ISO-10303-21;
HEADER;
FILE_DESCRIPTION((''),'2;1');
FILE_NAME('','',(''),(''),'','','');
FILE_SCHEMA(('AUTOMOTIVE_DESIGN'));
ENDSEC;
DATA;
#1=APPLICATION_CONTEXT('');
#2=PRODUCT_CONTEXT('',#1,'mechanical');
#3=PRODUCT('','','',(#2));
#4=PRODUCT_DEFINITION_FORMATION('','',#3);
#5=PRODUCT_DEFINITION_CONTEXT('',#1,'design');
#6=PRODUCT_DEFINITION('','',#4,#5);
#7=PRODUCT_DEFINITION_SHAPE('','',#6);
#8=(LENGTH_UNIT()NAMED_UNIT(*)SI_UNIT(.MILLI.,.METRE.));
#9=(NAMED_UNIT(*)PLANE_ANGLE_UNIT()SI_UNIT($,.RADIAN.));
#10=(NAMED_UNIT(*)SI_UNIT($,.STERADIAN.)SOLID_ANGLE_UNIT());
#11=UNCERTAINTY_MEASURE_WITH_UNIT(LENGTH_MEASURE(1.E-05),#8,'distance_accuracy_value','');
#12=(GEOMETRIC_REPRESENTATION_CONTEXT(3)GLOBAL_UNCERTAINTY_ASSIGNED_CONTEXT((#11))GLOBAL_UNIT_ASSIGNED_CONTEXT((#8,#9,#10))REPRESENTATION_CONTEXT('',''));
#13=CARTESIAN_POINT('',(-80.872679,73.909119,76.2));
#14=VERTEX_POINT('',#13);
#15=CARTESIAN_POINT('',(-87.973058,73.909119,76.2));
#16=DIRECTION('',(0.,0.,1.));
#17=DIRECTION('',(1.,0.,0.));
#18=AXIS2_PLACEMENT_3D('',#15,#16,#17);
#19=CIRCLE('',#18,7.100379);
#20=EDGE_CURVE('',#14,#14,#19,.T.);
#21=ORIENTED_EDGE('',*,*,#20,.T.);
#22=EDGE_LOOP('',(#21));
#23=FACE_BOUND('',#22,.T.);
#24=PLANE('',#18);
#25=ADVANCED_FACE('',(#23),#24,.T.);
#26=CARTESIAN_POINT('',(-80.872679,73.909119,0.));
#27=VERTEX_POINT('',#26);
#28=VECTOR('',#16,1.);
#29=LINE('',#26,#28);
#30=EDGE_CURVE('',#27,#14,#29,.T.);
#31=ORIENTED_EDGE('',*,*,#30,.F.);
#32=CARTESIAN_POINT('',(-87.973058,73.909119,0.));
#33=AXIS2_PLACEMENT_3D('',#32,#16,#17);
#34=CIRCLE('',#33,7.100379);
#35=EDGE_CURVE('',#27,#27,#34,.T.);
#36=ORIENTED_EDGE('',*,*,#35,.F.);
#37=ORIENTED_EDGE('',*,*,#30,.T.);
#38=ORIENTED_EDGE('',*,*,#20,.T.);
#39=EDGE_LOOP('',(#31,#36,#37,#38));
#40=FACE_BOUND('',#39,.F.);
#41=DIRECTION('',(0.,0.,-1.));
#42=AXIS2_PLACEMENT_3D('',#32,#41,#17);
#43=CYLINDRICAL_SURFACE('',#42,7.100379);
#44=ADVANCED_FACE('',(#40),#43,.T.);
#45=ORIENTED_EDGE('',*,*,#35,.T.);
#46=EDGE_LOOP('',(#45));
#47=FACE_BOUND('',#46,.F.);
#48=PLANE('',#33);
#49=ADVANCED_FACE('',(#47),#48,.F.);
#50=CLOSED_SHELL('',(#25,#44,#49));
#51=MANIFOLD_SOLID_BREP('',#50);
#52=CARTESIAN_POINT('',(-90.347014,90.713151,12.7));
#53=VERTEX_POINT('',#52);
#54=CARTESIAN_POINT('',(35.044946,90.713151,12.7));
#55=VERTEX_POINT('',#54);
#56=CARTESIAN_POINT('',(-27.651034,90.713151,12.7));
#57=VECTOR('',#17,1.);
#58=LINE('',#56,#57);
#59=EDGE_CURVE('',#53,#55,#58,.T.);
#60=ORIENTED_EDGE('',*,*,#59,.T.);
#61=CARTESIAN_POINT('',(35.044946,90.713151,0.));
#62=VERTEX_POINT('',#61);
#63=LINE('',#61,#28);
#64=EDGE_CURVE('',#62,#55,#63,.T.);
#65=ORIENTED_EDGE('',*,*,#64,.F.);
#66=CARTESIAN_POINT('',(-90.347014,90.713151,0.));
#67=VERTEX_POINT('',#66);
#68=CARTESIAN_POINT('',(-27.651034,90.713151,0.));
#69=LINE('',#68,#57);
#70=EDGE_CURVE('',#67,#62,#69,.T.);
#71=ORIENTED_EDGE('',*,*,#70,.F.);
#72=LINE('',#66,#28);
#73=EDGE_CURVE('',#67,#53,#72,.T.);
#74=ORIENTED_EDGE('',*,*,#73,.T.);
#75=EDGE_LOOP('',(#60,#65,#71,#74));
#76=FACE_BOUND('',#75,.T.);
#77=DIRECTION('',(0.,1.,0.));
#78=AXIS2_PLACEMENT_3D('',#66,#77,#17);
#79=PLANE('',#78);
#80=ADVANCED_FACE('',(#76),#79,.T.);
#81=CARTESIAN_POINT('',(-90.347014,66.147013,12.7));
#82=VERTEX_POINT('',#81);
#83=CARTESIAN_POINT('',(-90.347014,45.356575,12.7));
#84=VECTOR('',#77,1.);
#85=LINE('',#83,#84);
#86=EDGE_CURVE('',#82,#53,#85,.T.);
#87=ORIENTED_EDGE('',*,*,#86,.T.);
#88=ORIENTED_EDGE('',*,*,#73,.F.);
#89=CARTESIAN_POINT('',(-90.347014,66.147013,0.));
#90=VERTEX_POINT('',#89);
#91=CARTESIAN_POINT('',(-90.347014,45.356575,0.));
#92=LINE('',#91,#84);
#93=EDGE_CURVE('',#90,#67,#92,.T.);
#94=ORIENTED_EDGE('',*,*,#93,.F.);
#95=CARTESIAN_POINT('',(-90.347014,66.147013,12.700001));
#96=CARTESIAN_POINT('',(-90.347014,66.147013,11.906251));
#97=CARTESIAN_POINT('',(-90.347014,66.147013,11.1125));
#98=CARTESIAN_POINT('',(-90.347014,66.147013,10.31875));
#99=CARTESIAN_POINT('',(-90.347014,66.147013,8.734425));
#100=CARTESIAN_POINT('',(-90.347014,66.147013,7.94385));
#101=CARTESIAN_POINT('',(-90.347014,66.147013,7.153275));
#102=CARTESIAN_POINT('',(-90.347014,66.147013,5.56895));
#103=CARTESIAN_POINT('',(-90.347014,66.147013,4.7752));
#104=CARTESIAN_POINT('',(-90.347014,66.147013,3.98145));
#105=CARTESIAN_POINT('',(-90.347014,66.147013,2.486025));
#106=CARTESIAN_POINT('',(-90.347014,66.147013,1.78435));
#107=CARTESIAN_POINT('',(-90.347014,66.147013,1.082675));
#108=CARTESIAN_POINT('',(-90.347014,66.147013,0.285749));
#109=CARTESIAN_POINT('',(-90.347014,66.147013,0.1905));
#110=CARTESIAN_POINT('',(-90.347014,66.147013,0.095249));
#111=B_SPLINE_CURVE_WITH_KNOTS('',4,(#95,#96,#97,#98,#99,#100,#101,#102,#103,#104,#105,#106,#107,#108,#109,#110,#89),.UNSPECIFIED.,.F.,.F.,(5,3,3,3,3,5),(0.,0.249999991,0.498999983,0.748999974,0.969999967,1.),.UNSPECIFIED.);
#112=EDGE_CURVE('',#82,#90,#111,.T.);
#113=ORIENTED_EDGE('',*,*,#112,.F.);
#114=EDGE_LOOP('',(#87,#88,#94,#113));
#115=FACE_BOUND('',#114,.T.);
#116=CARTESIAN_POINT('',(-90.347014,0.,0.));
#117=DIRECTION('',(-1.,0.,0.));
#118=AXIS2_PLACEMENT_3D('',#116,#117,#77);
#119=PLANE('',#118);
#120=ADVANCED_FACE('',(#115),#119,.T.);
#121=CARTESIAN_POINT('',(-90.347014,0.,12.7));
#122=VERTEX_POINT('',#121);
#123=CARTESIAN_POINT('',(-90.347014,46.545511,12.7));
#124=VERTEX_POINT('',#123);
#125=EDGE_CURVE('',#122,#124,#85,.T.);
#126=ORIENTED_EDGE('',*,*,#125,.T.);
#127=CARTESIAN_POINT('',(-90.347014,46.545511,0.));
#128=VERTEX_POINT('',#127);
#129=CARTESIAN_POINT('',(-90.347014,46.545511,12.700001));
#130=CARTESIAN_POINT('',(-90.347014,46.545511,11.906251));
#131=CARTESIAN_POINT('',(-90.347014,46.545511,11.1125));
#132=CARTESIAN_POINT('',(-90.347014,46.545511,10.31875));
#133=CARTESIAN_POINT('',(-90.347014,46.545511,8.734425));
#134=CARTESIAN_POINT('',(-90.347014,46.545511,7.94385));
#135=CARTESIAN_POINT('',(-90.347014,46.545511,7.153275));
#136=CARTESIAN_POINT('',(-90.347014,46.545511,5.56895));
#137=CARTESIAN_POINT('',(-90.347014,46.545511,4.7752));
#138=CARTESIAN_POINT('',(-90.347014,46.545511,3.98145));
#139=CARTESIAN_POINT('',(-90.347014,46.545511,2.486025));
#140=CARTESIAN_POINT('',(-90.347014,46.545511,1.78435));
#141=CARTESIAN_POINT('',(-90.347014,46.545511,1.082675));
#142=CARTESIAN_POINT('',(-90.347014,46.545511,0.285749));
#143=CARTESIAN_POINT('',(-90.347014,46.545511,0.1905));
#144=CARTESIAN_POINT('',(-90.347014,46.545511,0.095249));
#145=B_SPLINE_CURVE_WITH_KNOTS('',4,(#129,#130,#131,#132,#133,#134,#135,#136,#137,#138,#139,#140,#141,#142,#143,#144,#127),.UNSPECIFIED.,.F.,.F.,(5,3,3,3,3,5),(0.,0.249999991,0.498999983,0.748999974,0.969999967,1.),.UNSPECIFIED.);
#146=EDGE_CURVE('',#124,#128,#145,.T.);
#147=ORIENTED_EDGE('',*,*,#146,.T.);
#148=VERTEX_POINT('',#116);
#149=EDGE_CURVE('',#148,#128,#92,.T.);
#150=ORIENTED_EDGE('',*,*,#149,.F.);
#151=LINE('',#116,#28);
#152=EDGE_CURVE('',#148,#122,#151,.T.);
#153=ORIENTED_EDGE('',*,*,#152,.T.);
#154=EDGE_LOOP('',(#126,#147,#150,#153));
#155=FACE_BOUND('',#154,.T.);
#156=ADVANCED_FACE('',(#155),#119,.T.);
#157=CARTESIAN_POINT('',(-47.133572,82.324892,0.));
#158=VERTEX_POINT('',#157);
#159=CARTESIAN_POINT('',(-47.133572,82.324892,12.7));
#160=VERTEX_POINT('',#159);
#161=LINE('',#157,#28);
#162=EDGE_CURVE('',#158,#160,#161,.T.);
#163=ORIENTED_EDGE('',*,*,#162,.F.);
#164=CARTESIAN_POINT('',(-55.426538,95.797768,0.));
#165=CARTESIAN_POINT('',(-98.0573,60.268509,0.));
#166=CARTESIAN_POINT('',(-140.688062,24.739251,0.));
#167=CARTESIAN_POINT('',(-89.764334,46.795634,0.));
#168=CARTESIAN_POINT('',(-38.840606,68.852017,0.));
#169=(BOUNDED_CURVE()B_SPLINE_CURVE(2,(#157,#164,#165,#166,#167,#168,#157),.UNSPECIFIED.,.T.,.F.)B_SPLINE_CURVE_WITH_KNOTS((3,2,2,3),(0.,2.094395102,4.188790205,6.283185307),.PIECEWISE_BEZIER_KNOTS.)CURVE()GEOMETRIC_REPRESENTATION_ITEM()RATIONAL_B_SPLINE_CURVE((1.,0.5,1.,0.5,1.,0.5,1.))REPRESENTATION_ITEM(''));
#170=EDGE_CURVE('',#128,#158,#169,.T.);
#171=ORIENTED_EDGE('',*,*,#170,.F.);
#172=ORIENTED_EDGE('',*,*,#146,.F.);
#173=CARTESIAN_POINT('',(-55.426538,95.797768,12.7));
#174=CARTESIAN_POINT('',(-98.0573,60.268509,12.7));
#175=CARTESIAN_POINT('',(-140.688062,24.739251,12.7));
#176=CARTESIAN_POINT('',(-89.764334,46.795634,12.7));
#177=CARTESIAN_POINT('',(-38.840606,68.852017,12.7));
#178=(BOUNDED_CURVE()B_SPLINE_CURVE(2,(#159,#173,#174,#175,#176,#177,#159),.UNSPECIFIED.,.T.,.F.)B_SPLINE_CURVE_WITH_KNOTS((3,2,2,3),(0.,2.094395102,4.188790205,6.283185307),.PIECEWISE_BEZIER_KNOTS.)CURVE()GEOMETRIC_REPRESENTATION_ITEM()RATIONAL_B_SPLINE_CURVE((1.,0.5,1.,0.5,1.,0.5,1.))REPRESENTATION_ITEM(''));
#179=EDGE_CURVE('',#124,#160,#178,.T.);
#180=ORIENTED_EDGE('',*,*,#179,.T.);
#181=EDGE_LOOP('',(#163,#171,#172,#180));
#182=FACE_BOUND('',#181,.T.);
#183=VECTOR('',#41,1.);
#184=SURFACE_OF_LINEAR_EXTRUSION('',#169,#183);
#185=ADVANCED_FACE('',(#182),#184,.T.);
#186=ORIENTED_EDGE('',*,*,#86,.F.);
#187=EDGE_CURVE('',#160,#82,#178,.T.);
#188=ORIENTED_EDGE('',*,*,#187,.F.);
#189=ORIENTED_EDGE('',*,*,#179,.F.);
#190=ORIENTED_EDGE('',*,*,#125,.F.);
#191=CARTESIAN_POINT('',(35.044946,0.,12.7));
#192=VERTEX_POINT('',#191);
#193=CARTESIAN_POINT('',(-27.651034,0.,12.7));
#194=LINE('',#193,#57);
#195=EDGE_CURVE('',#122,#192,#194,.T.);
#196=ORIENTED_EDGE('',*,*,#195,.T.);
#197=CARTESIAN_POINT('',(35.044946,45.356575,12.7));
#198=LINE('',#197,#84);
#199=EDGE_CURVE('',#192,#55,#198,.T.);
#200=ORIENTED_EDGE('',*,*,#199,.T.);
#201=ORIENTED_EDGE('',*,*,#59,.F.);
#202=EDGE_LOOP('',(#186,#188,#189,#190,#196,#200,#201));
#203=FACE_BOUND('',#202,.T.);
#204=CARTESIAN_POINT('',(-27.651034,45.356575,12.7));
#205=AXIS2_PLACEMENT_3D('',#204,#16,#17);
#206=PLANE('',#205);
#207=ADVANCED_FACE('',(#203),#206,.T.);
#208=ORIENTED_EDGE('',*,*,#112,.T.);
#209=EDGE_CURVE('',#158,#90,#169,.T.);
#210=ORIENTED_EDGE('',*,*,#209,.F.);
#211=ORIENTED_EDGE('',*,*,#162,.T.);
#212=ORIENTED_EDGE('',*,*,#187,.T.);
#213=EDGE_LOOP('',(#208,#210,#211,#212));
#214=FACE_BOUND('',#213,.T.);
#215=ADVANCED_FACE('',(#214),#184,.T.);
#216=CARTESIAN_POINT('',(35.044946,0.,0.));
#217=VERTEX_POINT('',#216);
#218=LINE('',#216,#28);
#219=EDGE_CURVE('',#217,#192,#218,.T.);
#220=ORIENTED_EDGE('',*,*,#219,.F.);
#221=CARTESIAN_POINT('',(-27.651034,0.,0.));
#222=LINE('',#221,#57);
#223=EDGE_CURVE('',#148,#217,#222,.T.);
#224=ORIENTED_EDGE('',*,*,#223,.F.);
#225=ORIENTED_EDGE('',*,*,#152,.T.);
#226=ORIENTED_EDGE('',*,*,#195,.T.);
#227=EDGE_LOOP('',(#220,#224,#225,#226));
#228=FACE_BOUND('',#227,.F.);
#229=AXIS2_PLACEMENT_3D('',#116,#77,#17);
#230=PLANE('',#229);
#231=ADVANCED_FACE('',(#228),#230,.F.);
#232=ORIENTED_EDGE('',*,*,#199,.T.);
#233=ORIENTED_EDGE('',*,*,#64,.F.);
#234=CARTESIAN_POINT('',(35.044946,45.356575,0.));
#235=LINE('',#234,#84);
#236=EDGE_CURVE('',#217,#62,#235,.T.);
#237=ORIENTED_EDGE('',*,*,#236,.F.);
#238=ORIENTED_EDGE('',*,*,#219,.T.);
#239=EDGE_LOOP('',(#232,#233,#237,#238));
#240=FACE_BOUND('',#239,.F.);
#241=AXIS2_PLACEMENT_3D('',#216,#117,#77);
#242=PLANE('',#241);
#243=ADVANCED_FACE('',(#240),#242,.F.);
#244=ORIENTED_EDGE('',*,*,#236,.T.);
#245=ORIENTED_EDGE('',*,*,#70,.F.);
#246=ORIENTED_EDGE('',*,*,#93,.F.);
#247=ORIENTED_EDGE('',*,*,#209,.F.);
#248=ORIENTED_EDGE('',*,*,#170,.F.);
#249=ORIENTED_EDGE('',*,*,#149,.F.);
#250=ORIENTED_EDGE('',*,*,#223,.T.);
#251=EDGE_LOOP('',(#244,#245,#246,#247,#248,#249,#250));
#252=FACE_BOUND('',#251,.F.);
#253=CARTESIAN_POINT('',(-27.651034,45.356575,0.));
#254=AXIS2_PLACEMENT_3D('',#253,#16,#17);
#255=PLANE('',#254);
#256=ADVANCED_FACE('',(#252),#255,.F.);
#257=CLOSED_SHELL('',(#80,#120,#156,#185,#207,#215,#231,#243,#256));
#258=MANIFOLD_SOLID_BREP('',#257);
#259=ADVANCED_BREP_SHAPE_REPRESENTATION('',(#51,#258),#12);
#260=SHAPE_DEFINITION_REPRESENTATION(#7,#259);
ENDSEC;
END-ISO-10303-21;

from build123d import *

# Parameters (mm, degrees)
F5_W      = 125.391960144
F5_H      = 90.7131507993
F0_DEPTH  = 25.4
F0_FACE_W = 125.391960144
F0_FACE_H = 90.7131507993
F2_DEPTH  = 12.7
F3_R      = 7.1003794984
F4_DEPTH  = 76.2


with BuildPart() as f0:
    # F5 (on Top) → F0 (new body)
    with BuildSketch(Plane.XY):
        with Locations((-27.6510342956, 45.3565753996)):
            Rectangle(F5_W, F5_H)
    extrude(amount=F0_DEPTH)

    # F1 (on Top) + F0_face (on face) → F2 (cut, symmetric)
    with BuildSketch(Plane.XY):
        with BuildLine():
            add(Edge.make_bspline(
                [(-47.1335723996, 82.3248922825), (-55.4265383348, 95.797767977), (-98.0573000245, 60.2685092588), (-140.6880617142, 24.7392505407), (-89.7643340893, 46.7956335644), (-38.8406064644, 68.852016588), (-47.1335723996, 82.3248922825)],
                knots=[0, 0, 0, 2.0943951024, 2.0943951024, 4.1887902048, 4.1887902048, 6.2831853072, 6.2831853072, 6.2831853072], degree=2, weights=[1, 0.5, 1, 0.5, 1, 0.5, 1]))
        make_face()
    with BuildSketch(Plane(origin=(-27.6510342956, 45.3565753996, 25.4), x_dir=(1, 0, 0), z_dir=(0, 0, 1))):
        Rectangle(F0_FACE_W, F0_FACE_H)
    extrude(amount=F2_DEPTH, both=True, mode=Mode.SUBTRACT)


with BuildPart() as f4:
    # F3 (on Top) → F4 (new body)
    with BuildSketch(Plane.XY):
        with Locations((-87.9730582237, 73.9091187716)):
            Circle(F3_R)
    extrude(amount=F4_DEPTH)


solid = Compound([f0.part, f4.part])
